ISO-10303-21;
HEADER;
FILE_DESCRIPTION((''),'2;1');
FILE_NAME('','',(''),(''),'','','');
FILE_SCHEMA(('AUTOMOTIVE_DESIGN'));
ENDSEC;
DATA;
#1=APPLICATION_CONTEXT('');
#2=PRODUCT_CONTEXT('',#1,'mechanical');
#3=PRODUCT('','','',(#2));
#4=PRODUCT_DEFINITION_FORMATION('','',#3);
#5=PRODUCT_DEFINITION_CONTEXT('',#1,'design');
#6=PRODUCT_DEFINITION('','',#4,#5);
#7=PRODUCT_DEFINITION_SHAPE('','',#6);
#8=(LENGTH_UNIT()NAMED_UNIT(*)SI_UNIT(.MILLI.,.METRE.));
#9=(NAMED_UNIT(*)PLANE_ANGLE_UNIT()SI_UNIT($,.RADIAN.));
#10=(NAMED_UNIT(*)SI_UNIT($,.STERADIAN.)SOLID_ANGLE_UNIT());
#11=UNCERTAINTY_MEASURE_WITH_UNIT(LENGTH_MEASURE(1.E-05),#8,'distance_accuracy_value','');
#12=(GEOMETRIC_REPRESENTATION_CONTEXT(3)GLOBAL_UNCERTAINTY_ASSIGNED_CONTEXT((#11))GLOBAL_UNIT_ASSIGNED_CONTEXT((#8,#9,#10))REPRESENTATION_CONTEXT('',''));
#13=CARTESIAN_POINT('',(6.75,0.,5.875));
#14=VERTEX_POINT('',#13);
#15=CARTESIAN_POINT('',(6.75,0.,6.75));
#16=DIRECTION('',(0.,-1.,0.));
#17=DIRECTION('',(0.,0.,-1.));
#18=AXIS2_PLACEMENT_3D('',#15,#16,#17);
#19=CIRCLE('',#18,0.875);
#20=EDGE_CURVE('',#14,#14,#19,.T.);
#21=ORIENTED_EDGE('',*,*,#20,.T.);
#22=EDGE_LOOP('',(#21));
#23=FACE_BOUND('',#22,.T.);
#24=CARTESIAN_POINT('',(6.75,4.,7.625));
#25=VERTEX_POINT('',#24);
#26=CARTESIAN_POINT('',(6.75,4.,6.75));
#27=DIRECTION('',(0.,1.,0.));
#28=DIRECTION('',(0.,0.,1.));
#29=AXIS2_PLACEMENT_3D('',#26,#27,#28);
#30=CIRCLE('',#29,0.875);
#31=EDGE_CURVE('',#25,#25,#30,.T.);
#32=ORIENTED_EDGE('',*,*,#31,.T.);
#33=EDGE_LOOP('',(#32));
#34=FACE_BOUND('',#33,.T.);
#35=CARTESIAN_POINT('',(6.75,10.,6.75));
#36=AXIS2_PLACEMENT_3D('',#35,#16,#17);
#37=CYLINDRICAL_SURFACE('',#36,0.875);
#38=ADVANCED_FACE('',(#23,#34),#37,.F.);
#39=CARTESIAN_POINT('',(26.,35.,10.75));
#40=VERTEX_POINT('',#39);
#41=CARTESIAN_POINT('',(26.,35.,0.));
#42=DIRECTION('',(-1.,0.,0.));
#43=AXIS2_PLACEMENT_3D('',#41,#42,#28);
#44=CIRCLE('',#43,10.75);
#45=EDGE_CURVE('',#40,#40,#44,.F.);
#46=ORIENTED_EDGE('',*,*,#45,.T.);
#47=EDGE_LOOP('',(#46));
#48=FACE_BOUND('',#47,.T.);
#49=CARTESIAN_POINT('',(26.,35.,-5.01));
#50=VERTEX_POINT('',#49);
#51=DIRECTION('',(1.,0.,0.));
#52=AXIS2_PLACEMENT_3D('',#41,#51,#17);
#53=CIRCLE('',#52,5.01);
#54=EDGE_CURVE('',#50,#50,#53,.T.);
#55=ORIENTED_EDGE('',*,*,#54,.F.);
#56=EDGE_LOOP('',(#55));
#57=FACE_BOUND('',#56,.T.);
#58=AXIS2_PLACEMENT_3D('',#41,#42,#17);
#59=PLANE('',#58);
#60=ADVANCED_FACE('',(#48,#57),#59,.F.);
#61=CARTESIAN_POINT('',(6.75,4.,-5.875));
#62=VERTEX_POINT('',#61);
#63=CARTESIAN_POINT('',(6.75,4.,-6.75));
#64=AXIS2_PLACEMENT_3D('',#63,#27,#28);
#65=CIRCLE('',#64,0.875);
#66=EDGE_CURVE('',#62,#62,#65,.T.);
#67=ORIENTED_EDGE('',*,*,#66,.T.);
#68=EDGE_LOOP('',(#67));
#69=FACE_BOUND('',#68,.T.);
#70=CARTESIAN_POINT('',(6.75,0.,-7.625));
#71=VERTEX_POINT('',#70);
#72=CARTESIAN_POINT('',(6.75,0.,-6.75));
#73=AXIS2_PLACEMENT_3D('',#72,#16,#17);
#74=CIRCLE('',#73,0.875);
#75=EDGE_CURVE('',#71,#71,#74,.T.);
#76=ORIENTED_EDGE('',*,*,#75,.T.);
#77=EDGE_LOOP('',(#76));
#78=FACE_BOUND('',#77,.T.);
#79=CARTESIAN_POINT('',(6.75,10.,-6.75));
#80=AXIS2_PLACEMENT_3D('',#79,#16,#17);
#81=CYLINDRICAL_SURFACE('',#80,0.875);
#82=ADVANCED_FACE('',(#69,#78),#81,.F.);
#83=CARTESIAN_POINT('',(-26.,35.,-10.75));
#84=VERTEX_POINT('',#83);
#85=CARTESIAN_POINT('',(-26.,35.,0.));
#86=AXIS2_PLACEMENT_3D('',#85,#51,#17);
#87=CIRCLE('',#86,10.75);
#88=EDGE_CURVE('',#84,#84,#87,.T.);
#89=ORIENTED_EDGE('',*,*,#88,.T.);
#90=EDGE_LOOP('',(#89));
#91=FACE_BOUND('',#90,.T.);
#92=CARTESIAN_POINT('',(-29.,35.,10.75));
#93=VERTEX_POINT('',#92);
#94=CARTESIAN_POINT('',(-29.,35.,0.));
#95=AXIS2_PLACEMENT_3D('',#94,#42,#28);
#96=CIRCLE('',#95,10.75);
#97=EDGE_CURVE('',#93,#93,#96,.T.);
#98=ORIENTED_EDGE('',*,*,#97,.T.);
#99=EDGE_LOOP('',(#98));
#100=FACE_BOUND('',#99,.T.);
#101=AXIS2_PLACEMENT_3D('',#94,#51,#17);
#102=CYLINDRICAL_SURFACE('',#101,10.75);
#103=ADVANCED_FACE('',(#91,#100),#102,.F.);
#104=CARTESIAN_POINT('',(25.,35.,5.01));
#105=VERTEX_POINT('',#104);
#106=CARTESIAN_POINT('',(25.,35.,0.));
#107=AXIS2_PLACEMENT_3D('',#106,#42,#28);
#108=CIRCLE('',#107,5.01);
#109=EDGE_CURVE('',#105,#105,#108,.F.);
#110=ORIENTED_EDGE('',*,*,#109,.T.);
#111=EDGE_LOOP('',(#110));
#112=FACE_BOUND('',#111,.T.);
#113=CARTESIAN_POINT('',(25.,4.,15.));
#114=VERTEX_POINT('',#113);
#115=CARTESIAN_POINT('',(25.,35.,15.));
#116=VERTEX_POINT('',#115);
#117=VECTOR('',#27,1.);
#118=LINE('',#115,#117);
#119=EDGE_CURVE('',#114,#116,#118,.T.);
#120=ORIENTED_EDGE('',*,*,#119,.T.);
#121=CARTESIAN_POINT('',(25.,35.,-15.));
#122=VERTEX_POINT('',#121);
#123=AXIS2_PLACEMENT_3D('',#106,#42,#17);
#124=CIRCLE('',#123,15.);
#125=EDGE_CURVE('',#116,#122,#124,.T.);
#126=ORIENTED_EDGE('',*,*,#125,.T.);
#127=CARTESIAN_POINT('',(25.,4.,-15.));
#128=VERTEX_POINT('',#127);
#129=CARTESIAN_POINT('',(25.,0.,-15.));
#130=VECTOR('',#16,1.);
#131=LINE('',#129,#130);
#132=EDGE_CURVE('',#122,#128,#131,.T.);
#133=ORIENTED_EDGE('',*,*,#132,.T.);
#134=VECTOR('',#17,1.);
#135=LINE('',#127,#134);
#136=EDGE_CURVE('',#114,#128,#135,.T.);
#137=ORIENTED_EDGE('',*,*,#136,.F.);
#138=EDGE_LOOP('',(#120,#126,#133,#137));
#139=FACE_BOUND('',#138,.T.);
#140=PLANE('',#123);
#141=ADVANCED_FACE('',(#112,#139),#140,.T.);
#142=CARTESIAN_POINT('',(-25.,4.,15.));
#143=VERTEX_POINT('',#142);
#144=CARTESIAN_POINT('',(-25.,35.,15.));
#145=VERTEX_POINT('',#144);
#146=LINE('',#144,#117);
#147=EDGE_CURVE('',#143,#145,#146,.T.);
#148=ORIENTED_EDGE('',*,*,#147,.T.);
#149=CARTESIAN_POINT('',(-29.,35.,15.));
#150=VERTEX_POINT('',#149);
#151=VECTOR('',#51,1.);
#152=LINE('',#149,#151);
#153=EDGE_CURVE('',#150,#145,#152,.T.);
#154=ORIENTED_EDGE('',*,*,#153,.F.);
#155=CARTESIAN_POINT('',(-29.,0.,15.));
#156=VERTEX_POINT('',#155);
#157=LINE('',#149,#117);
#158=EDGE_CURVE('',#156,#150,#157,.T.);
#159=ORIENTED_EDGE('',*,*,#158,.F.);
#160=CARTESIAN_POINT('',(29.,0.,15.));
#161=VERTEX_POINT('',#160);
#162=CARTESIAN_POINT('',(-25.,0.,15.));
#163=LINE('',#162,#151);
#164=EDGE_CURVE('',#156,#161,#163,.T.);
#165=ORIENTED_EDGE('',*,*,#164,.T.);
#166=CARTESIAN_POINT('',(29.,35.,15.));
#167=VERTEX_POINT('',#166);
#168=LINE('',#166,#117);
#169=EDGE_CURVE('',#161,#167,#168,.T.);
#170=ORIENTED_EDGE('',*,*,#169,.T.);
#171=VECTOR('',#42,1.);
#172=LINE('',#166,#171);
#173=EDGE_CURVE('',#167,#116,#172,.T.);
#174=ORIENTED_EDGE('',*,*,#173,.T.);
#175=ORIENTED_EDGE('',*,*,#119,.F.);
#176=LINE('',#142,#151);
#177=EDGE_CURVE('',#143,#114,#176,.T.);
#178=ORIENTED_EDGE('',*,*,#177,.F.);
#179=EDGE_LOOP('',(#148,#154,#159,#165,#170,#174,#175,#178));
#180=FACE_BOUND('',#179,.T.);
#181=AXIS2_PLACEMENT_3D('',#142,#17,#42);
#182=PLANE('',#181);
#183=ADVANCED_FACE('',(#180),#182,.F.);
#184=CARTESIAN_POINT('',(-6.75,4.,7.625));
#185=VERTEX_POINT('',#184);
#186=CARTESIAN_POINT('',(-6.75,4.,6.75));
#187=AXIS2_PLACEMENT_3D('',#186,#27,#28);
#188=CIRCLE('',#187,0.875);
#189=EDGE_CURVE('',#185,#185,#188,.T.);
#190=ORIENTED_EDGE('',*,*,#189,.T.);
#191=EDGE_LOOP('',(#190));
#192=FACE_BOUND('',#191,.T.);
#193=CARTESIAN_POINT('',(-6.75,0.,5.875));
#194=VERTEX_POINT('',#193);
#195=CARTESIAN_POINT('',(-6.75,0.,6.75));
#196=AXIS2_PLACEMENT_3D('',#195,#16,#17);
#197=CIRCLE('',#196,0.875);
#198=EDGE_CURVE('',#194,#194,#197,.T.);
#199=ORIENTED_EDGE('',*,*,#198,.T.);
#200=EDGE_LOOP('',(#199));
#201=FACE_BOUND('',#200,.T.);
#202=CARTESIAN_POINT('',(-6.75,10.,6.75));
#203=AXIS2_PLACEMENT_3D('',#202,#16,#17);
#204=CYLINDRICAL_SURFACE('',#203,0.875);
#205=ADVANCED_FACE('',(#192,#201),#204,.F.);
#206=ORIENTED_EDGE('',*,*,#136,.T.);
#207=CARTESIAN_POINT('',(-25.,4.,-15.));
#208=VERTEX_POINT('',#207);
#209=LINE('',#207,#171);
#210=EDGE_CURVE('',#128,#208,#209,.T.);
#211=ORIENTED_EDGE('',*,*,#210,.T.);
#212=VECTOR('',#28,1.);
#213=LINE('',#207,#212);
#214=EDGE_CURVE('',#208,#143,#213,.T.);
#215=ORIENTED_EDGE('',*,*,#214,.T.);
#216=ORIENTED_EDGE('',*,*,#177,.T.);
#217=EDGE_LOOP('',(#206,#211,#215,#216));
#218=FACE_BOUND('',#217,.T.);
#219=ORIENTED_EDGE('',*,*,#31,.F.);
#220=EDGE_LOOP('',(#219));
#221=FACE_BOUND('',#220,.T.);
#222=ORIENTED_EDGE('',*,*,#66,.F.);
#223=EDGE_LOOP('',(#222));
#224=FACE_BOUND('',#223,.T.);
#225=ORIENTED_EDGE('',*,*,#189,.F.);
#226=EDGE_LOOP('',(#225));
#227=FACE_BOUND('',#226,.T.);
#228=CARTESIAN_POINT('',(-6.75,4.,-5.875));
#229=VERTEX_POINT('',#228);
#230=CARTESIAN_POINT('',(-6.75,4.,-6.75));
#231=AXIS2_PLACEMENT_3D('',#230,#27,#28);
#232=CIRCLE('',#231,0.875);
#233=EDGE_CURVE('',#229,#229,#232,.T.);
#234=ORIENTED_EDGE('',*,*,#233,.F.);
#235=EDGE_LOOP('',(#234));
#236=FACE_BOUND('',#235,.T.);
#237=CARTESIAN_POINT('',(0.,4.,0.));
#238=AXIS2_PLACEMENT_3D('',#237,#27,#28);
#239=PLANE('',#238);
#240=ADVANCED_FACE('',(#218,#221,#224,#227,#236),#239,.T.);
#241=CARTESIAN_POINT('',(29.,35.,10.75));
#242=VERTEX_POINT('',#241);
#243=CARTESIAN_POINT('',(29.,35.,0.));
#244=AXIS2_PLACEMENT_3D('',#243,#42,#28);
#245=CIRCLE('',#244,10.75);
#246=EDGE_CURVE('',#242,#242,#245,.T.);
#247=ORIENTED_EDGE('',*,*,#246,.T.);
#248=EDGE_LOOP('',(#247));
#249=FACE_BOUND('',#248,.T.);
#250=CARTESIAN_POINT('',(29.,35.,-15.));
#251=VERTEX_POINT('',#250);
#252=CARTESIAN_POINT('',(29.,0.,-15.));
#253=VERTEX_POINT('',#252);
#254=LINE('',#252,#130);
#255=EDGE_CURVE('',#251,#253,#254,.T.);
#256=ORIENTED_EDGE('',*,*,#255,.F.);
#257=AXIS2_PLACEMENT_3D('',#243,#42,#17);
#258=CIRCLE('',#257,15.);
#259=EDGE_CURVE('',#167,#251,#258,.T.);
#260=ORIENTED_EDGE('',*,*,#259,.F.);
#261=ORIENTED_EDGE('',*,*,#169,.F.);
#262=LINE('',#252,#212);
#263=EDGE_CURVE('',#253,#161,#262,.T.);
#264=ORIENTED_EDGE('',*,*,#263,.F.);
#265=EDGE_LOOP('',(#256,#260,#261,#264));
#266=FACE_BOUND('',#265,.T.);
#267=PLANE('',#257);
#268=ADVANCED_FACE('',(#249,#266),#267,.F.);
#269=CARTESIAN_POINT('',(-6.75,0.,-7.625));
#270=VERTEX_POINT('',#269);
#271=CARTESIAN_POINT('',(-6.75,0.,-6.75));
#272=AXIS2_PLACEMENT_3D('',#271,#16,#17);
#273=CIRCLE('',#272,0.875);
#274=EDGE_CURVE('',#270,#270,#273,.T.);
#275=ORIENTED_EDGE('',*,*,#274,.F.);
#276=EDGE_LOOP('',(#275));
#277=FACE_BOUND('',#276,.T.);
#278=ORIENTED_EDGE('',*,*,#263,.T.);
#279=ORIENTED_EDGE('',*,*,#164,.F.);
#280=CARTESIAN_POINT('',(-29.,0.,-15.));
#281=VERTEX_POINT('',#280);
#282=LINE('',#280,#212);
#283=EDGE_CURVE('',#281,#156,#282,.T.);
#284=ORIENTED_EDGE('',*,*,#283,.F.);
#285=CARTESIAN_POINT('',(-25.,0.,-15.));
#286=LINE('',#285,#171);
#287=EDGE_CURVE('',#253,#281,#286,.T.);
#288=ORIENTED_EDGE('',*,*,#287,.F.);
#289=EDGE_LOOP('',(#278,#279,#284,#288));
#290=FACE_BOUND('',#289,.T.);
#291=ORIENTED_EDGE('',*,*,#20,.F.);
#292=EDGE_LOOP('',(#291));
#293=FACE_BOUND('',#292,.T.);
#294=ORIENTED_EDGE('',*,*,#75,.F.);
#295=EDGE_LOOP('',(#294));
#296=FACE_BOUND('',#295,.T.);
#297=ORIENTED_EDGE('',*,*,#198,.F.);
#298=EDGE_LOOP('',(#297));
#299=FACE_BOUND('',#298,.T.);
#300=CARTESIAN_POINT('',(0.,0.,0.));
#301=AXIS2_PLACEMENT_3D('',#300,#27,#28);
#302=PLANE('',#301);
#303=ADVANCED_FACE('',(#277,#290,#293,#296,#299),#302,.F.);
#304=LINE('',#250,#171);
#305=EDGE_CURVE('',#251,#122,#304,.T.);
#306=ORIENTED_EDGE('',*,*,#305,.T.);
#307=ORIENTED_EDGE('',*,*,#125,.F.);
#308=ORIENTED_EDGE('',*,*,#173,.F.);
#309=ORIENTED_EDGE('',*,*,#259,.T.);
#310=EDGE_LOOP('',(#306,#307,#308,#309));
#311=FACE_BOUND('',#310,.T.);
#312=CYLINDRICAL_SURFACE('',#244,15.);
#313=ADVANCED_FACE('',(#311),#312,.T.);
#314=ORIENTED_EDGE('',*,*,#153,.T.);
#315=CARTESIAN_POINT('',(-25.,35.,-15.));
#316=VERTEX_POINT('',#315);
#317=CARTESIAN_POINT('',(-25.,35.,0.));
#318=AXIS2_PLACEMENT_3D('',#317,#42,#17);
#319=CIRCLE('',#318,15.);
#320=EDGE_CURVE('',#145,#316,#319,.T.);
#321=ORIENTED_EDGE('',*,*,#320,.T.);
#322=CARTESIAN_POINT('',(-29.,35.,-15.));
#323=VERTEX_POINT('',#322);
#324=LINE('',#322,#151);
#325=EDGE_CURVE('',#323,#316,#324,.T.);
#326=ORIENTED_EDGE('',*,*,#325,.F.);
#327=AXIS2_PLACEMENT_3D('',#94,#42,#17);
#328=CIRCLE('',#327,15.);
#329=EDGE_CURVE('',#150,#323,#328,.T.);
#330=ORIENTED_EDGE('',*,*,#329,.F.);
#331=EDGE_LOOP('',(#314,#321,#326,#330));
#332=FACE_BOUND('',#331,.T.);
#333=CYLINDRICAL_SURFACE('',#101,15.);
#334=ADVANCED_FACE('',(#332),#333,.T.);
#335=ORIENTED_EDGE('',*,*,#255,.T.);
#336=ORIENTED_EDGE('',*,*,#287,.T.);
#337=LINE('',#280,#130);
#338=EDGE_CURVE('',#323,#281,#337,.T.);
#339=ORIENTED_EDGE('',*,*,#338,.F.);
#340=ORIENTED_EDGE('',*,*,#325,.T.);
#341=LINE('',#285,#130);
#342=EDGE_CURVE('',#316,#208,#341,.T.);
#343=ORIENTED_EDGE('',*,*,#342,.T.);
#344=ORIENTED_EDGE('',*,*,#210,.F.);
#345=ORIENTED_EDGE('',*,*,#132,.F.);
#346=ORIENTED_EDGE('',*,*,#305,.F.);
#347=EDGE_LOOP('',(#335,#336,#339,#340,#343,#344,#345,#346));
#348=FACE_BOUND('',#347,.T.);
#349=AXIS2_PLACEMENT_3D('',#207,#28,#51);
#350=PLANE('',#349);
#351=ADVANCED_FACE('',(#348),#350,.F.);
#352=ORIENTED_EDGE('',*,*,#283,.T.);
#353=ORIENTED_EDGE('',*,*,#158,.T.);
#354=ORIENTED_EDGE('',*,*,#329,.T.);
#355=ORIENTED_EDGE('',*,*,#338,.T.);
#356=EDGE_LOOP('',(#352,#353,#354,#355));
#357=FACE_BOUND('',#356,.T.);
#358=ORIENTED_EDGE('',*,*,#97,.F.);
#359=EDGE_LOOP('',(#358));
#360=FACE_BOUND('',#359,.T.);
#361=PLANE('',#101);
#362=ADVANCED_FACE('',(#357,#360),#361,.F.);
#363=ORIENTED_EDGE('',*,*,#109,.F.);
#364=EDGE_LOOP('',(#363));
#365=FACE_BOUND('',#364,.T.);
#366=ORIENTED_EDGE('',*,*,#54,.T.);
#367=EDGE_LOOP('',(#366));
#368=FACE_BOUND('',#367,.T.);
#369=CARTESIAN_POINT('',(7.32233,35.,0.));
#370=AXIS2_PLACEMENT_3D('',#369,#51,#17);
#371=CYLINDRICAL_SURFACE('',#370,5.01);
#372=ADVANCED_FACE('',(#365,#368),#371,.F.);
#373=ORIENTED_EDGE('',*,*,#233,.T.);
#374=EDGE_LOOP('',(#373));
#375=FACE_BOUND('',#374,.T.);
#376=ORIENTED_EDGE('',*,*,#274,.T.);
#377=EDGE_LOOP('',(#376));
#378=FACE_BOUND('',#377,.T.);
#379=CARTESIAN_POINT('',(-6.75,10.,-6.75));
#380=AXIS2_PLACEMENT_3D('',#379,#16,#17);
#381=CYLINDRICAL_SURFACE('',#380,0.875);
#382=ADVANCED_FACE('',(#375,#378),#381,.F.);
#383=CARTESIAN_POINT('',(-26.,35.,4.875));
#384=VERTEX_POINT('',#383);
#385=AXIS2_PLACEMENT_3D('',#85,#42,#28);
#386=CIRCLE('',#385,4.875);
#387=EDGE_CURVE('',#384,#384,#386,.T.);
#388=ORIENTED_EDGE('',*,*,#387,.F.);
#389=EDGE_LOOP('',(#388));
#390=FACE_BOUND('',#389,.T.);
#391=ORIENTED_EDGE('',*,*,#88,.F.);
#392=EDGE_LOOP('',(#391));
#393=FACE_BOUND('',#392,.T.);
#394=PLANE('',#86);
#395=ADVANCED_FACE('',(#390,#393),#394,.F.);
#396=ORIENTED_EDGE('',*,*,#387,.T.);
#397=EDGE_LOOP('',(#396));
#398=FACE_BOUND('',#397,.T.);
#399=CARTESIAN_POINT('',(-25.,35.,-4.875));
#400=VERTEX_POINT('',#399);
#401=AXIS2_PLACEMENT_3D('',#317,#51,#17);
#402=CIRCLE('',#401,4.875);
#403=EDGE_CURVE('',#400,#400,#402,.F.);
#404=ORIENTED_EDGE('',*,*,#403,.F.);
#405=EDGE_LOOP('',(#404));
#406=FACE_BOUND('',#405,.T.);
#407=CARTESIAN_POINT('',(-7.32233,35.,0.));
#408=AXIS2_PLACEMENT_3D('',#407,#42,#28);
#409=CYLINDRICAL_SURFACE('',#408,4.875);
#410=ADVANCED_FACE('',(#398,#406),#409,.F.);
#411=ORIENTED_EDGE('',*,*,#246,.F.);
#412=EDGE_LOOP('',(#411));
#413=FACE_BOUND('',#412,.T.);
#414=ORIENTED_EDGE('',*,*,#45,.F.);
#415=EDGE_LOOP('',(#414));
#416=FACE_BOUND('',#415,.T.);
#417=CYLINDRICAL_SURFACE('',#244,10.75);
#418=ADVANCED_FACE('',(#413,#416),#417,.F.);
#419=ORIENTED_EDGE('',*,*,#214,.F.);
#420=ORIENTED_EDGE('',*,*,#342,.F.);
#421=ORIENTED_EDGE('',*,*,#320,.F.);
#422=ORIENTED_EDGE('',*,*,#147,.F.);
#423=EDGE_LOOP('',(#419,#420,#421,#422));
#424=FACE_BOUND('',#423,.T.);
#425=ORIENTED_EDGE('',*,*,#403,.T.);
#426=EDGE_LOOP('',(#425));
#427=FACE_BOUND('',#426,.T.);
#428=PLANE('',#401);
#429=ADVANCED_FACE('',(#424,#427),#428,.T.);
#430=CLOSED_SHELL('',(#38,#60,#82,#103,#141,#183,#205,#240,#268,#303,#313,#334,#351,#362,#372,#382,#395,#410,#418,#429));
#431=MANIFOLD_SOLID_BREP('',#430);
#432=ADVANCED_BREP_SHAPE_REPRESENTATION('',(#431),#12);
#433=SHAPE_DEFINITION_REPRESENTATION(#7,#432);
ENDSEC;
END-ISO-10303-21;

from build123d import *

# Parameters (mm, degrees)
SKETCH2_W           = 50
SKETCH2_H           = 30
BOSS_EXTRUDE1_DEPTH = 4
SKETCH3_R           = 10.75
BOSS_EXTRUDE2_DEPTH = 4
SKETCH4_R           = 10.75
SKETCH4_R_2         = 6.25
BOSS_EXTRUDE3_DEPTH = 1
SKETCH5_R           = 6.25
SKETCH5_R_2         = 5.01
BOSS_EXTRUDE4_DEPTH = 1
BOSS_EXTRUDE5_START = -1
SKETCH6_R           = 6.25
SKETCH6_R_2         = 4.875
BOSS_EXTRUDE5_DEPTH = 1
SKETCH8_R           = 0.875
CUT_EXTRUDE1_DEPTH  = 10


with BuildPart() as part:
    # Sketch2 → Boss-Extrude1 (new body)
    with BuildSketch(Plane(origin=(0, 0, 0), x_dir=(1, 0, 0), z_dir=(0, 1, 0))):
        Rectangle(SKETCH2_W, SKETCH2_H)
    extrude(amount=BOSS_EXTRUDE1_DEPTH)

    # Sketch3 → Boss-Extrude2 (add)
    with BuildSketch(Plane.ZY.offset(25)):
        with BuildLine():
            Line((-15, 0), (-15, 35))
            ThreePointArc((-15, 35), (0, 50), (15, 35))
            Line((15, 35), (15, 0))
            Line((15, 0), (-15, 0))
        make_face()
        with Locations((0, 35)):
            Circle(SKETCH3_R, mode=Mode.SUBTRACT)
    boss_extrude2 = extrude(amount=BOSS_EXTRUDE2_DEPTH)

    # Mirror1: Boss-Extrude2 across plane
    add(boss_extrude2.mirror(Plane(origin=(0, 0, 0), x_dir=(0, 0, 1), z_dir=(1, 0, 0))))

    # Sketch4 → Boss-Extrude3 (add)
    with BuildSketch(Plane(origin=(-25, 0, 0), x_dir=(0, 0, -1), z_dir=(1, 0, 0))):
        with Locations((0, 35)):
            Circle(SKETCH4_R)
        with Locations((0, 35)):
            Circle(SKETCH4_R_2, mode=Mode.SUBTRACT)
    boss_extrude3 = extrude(amount=-BOSS_EXTRUDE3_DEPTH)

    # Mirror2: Boss-Extrude3 across plane
    add(boss_extrude3.mirror(Plane(origin=(0, 0, 0), x_dir=(0, 0, 1), z_dir=(1, 0, 0))))

    # Sketch5 → Boss-Extrude4 (add)
    with BuildSketch(Plane(origin=(26, 0, 0), x_dir=(0, 0, -1), z_dir=(1, 0, 0))):
        with Locations((0, 35)):
            Circle(SKETCH5_R)
        with Locations((0, 35)):
            Circle(SKETCH5_R_2, mode=Mode.SUBTRACT)
    extrude(amount=-BOSS_EXTRUDE4_DEPTH)

    # Sketch6 → Boss-Extrude5 (add)
    with BuildSketch(Plane.ZY.offset(26).offset(BOSS_EXTRUDE5_START)):
        with Locations((0, 35)):
            Circle(SKETCH6_R)
        with Locations((0, 35)):
            Circle(SKETCH6_R_2, mode=Mode.SUBTRACT)
    extrude(amount=BOSS_EXTRUDE5_DEPTH)

    # Sketch8 → Cut-Extrude1 (cut)
    with BuildSketch(Plane.XZ):
        with Locations(Location((-6.75, 6.75, 0), (0, 0, 270))):
            Circle(SKETCH8_R)
        with Locations(Location((6.75, 6.75, 0), (0, 0, 270))):
            Circle(SKETCH8_R)
        with Locations(Location((6.75, -6.75, 0), (0, 0, 270))):
            Circle(SKETCH8_R)
        with Locations(Location((-6.75, -6.75, 0), (0, 0, 270))):
            Circle(SKETCH8_R)
    extrude(amount=-CUT_EXTRUDE1_DEPTH, mode=Mode.SUBTRACT)


solid = part.part
